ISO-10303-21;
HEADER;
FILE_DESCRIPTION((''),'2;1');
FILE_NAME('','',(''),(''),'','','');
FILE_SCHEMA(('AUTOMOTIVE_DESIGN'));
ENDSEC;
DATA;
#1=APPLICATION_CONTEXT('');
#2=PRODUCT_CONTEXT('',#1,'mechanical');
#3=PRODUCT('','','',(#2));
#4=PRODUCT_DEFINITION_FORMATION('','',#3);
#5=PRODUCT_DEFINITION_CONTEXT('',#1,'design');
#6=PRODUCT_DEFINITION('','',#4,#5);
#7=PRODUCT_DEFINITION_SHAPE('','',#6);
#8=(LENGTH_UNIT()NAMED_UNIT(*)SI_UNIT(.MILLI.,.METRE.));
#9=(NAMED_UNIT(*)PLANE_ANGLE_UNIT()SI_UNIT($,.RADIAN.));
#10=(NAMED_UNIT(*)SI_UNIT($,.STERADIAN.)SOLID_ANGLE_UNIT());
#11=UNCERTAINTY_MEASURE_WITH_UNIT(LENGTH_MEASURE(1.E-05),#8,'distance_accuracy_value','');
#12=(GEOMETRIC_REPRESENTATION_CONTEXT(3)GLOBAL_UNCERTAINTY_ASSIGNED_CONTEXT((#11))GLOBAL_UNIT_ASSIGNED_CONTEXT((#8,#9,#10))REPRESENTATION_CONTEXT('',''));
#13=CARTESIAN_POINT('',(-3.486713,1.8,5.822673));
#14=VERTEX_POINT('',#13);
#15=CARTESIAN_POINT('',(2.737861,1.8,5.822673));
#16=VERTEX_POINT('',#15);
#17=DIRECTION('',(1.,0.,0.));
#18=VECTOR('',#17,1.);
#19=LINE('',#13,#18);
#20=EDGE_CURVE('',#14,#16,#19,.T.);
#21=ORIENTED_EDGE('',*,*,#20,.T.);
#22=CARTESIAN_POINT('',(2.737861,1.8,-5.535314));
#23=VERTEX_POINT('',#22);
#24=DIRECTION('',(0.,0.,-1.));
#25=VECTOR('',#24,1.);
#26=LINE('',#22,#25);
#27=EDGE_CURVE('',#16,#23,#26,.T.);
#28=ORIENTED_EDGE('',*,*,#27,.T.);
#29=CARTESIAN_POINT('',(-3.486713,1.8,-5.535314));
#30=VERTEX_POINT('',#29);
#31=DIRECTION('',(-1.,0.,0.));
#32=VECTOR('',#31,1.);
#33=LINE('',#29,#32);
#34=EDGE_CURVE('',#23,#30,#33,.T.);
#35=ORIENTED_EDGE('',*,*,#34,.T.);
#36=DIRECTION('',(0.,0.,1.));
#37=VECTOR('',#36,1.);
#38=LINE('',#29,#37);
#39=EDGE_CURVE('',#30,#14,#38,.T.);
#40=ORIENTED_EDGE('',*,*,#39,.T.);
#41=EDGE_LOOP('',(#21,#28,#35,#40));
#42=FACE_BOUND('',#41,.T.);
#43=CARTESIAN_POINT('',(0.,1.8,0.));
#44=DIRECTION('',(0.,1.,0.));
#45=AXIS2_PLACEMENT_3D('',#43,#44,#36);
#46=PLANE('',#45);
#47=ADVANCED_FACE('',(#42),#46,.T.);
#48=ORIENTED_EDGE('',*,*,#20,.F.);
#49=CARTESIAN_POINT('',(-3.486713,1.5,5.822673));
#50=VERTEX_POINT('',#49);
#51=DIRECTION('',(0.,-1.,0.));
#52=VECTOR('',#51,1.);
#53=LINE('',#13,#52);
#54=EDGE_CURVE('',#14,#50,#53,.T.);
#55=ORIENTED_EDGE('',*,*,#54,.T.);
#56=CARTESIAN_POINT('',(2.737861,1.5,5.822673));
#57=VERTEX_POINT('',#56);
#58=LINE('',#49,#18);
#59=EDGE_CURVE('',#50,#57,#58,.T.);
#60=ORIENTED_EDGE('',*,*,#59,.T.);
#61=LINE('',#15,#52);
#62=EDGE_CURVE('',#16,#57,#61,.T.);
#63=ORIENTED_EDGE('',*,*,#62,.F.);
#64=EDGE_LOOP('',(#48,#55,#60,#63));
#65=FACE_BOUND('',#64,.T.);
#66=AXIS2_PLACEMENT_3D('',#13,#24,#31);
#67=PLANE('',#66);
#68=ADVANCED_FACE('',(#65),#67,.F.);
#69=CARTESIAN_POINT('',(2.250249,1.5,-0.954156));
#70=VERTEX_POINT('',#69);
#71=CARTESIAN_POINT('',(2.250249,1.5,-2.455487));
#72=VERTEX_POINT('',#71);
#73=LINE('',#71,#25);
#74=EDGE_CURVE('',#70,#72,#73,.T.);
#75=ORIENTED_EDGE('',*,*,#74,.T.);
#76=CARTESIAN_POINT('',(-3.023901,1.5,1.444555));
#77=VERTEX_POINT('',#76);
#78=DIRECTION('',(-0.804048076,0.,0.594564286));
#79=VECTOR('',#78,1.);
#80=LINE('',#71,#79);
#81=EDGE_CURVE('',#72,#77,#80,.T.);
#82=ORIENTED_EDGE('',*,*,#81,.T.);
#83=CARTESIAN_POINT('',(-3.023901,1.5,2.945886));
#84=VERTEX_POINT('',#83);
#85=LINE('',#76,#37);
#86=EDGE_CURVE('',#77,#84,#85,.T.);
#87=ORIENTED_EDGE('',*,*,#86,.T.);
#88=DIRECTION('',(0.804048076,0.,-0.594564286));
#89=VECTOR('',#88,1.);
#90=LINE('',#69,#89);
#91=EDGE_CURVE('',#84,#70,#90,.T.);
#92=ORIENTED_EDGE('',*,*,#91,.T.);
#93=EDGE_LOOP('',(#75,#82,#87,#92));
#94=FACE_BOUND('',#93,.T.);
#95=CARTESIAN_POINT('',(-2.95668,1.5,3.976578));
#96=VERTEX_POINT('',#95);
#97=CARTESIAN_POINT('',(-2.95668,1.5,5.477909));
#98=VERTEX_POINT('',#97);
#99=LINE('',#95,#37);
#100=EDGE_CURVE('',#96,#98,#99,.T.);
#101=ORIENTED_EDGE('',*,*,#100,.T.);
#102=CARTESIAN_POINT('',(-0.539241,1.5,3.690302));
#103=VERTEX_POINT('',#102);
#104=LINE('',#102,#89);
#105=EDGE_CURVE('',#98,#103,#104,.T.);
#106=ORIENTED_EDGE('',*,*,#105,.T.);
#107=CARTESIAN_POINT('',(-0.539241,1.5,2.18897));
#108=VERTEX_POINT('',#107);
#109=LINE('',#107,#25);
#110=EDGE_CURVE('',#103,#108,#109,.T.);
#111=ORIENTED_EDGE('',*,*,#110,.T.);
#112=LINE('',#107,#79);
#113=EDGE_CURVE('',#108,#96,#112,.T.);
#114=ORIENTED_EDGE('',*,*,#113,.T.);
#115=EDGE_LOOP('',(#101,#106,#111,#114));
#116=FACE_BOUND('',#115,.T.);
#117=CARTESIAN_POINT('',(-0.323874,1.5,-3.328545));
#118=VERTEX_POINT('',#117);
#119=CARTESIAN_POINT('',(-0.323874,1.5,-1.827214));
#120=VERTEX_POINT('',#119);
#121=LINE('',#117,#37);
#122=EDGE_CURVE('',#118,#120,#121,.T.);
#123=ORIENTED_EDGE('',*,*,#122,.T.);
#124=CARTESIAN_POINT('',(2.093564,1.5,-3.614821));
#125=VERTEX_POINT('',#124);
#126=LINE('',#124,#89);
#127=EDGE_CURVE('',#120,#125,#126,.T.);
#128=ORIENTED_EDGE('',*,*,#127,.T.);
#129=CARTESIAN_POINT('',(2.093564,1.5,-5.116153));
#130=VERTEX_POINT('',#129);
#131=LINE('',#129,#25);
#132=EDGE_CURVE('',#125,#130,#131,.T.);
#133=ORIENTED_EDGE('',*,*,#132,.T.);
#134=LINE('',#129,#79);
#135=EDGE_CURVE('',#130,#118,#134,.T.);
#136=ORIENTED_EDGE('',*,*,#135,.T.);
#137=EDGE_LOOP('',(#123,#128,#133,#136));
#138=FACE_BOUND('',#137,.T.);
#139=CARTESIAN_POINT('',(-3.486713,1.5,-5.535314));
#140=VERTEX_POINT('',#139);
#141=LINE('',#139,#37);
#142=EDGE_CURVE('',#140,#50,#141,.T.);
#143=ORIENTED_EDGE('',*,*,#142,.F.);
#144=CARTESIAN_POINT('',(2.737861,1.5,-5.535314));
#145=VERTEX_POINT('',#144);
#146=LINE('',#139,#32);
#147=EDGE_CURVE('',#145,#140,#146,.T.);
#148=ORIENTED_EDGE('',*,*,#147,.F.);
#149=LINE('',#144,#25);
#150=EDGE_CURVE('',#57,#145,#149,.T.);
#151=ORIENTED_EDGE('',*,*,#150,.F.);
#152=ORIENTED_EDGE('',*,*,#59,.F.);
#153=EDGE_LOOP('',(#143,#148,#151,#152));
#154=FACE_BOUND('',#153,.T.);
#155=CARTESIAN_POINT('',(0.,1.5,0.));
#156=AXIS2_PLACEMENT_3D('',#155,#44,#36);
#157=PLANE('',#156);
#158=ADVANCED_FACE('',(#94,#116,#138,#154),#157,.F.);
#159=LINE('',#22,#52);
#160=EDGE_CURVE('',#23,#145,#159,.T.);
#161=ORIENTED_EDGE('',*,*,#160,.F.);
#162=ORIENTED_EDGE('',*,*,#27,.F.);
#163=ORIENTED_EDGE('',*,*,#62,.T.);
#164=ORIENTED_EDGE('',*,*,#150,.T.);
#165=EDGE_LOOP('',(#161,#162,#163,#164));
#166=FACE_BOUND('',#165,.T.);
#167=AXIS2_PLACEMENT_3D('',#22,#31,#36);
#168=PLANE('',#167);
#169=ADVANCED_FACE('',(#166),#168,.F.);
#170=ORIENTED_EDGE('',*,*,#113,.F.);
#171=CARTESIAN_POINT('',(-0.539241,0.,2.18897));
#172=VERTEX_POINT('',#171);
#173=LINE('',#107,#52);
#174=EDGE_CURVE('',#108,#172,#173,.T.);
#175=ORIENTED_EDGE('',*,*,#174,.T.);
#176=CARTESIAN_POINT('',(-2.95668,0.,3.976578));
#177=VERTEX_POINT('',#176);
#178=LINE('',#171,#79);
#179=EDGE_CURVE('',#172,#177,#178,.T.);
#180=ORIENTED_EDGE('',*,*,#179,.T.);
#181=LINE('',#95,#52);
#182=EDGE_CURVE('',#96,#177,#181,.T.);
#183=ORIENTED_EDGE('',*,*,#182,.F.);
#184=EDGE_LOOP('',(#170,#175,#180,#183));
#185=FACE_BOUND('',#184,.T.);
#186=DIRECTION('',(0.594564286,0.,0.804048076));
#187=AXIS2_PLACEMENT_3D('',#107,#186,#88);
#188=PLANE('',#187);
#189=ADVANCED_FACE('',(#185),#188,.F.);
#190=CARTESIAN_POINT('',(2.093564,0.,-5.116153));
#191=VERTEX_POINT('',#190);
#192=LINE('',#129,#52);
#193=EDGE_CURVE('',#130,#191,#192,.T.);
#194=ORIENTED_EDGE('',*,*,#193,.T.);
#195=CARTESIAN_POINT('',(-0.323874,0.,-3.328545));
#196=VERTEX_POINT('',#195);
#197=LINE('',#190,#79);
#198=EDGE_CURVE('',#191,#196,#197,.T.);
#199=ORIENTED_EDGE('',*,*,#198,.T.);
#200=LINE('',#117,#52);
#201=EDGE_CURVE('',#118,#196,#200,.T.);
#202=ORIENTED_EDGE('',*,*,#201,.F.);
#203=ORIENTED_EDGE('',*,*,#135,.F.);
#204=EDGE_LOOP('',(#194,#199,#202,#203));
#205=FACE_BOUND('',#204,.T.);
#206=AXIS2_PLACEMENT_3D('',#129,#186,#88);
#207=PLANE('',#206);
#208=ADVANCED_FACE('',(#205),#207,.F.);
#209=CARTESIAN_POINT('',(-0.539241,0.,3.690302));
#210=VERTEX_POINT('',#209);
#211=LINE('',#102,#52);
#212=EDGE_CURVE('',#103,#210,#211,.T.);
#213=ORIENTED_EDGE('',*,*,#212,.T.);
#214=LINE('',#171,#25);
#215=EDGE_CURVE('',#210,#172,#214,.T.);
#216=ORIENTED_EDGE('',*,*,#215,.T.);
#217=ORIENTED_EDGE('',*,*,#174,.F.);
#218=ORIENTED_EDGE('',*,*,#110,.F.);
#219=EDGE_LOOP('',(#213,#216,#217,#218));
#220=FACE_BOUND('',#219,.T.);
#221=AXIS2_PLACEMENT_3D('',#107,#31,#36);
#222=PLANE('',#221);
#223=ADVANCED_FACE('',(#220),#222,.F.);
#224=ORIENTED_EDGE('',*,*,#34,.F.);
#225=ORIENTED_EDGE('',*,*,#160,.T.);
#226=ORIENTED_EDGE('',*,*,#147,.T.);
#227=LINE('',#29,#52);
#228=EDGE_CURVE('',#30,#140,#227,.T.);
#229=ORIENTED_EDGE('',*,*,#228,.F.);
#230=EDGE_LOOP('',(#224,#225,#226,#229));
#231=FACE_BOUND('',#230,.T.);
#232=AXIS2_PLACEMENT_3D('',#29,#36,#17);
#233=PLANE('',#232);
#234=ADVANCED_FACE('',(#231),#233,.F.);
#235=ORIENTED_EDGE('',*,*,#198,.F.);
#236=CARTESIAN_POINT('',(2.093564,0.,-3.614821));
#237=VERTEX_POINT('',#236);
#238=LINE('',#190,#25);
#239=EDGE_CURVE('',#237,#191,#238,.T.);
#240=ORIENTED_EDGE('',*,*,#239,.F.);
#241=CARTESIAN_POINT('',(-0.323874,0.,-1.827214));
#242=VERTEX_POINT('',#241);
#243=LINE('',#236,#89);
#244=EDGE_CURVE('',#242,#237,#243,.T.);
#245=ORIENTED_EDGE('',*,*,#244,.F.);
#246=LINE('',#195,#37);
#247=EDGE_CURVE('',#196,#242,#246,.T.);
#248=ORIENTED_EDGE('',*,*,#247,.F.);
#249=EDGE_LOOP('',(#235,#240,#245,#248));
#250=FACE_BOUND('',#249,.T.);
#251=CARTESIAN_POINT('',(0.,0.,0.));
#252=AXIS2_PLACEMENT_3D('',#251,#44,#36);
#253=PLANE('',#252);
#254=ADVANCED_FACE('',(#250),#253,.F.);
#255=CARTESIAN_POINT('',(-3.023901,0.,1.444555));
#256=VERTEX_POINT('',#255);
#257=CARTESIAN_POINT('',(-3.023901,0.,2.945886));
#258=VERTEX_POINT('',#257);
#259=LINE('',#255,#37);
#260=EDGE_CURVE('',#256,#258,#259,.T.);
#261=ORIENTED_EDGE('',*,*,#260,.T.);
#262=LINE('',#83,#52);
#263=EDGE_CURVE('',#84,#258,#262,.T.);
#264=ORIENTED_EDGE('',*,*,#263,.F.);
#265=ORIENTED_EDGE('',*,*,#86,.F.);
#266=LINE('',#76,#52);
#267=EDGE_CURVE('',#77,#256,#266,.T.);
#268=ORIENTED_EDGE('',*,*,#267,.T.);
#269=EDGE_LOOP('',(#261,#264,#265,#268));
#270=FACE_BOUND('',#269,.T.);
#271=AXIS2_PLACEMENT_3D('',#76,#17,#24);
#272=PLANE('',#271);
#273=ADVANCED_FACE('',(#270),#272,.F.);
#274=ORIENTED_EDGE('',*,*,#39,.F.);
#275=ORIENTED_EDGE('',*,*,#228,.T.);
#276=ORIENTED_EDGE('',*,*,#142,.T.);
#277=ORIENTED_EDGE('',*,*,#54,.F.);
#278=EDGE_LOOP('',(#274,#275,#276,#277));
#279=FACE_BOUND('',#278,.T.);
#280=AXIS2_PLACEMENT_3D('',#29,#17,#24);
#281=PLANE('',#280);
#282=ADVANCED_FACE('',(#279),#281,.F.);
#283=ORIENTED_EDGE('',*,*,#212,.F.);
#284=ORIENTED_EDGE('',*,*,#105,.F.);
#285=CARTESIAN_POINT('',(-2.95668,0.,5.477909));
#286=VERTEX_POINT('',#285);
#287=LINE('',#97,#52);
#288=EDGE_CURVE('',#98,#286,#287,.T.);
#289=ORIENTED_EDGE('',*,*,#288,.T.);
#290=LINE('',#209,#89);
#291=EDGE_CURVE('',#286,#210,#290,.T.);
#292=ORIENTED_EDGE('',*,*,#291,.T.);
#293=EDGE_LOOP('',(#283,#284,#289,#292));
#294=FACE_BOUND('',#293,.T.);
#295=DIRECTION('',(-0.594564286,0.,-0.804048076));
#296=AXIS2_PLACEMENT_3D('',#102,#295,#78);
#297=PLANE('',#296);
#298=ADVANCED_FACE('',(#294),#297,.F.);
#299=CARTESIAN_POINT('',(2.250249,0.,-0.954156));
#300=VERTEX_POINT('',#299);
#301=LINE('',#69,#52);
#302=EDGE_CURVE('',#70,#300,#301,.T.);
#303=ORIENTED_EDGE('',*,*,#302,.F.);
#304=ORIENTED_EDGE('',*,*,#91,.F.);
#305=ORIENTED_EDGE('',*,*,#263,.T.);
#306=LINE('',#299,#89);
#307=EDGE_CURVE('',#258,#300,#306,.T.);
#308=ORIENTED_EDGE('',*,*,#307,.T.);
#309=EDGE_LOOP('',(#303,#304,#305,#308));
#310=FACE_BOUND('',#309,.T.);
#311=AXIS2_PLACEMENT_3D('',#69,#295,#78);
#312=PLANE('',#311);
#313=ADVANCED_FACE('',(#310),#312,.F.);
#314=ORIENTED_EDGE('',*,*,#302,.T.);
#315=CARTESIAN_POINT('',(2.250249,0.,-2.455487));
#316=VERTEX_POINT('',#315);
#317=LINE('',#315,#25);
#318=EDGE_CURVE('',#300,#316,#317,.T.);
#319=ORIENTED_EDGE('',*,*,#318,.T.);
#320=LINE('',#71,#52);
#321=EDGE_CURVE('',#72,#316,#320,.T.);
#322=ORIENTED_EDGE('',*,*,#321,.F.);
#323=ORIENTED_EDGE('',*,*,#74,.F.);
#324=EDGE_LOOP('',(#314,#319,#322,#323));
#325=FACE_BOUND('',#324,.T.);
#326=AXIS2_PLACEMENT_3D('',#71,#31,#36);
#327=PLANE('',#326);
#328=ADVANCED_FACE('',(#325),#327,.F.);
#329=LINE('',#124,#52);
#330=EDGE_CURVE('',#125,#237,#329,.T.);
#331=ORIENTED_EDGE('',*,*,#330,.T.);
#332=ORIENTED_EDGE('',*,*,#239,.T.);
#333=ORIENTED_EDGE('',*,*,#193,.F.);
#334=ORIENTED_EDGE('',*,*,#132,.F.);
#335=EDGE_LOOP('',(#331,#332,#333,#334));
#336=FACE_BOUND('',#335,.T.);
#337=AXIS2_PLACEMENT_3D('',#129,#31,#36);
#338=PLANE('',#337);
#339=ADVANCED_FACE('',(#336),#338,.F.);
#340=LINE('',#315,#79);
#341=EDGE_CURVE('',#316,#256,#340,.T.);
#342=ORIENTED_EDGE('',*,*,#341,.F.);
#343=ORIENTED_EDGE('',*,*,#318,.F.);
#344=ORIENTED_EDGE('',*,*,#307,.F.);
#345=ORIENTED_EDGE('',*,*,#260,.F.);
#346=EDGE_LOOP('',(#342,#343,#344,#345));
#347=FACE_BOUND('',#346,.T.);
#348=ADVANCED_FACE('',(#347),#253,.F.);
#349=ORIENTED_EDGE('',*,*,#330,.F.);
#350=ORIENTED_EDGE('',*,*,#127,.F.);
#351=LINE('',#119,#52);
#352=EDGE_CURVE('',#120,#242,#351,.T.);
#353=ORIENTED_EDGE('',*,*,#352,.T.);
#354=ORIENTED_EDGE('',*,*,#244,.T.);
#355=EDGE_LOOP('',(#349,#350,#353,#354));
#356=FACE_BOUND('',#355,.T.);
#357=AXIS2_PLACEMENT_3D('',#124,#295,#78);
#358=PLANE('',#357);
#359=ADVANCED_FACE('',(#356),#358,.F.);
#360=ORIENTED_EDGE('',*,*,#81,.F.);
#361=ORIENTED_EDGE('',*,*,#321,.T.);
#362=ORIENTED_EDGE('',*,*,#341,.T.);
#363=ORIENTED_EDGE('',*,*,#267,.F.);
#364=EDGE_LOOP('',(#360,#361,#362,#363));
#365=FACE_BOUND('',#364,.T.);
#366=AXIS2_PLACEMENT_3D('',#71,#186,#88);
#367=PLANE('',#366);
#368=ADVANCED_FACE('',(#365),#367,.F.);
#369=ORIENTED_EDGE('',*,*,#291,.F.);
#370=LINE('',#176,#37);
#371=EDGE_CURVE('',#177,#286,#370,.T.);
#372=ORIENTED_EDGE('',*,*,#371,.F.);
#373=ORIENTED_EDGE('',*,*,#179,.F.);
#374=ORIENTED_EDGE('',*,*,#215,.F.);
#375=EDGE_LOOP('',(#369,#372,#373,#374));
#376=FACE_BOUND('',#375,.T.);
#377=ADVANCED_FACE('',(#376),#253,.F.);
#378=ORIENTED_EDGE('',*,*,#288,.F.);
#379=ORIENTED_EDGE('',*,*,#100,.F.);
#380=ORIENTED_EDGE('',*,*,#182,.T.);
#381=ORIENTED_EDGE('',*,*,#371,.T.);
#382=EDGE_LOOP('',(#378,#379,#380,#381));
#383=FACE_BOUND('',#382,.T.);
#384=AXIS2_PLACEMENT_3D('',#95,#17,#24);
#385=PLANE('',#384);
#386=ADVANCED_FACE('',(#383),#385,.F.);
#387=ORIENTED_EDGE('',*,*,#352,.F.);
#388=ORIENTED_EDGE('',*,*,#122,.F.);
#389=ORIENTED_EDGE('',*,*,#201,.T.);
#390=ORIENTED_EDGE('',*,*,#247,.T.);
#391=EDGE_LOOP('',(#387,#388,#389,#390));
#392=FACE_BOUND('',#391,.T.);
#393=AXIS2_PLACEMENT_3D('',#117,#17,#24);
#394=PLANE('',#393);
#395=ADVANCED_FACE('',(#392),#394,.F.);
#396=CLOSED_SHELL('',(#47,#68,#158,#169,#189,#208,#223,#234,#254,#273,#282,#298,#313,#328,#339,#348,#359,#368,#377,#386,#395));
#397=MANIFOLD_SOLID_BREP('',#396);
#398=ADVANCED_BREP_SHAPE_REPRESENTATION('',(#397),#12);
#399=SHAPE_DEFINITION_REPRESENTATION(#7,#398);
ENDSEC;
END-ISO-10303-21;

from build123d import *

# Parameters (mm, degrees)
EXTRUDE_1_DEPTH   = 1.5
EXTRUDE_1_2_DEPTH = 1.5
EXTRUDE_1_3_DEPTH = 1.5
SKETCH_2_W        = 6.224573854
SKETCH_2_H        = 11.35798735
EXTRUDE_2_DEPTH   = 0.3


with BuildPart() as part:
    # 草图1 → 凸台-拉伸1 (new body)
    with BuildSketch(Plane(origin=(0, 0, 0), x_dir=(1, 0, 0), z_dir=(0, 1, 0))):
        Polygon((2.250249032, 2.455487133), (2.250249032, 0.954155558), (-3.02390068, -2.945886183), (-3.02390068, -1.444554608), align=None)
    extrude(amount=EXTRUDE_1_DEPTH)



with BuildPart() as body_2:
    # 草图1 → Extrude 1 2 (new body)
    with BuildSketch(Plane(origin=(0, 0, 0), x_dir=(1, 0, 0), z_dir=(0, 1, 0))):
        Polygon((2.093564175, 5.11615287), (2.093564175, 3.614821296), (-0.323874137, 1.827213654), (-0.323874137, 3.328545229), align=None)
    extrude(amount=EXTRUDE_1_2_DEPTH)


with BuildPart() as body_3:
    # 草图1 → Extrude 1 3 (new body)
    with BuildSketch(Plane(origin=(0, 0, 0), x_dir=(1, 0, 0), z_dir=(0, 1, 0))):
        Polygon((-0.539241249, -2.188970073), (-0.539241249, -3.690301647), (-2.956679561, -5.477909289), (-2.956679561, -3.976577714), align=None)
    extrude(amount=EXTRUDE_1_3_DEPTH)


with BuildPart() as part_1:
    add(part.part)

    add(body_2.part)  # 凸台-拉伸2 merges body 2

    add(body_3.part)  # 凸台-拉伸2 merges body 3
    # 草图2 → 凸台-拉伸2 (add)
    with BuildSketch(Plane(origin=(0, 1.5, 0), x_dir=(1, 0, 0), z_dir=(0, 1, 0))):
        with Locations((-0.374426275, -0.143679561)):
            Rectangle(SKETCH_2_W, SKETCH_2_H)
    extrude(amount=EXTRUDE_2_DEPTH)


solid = part_1.part
